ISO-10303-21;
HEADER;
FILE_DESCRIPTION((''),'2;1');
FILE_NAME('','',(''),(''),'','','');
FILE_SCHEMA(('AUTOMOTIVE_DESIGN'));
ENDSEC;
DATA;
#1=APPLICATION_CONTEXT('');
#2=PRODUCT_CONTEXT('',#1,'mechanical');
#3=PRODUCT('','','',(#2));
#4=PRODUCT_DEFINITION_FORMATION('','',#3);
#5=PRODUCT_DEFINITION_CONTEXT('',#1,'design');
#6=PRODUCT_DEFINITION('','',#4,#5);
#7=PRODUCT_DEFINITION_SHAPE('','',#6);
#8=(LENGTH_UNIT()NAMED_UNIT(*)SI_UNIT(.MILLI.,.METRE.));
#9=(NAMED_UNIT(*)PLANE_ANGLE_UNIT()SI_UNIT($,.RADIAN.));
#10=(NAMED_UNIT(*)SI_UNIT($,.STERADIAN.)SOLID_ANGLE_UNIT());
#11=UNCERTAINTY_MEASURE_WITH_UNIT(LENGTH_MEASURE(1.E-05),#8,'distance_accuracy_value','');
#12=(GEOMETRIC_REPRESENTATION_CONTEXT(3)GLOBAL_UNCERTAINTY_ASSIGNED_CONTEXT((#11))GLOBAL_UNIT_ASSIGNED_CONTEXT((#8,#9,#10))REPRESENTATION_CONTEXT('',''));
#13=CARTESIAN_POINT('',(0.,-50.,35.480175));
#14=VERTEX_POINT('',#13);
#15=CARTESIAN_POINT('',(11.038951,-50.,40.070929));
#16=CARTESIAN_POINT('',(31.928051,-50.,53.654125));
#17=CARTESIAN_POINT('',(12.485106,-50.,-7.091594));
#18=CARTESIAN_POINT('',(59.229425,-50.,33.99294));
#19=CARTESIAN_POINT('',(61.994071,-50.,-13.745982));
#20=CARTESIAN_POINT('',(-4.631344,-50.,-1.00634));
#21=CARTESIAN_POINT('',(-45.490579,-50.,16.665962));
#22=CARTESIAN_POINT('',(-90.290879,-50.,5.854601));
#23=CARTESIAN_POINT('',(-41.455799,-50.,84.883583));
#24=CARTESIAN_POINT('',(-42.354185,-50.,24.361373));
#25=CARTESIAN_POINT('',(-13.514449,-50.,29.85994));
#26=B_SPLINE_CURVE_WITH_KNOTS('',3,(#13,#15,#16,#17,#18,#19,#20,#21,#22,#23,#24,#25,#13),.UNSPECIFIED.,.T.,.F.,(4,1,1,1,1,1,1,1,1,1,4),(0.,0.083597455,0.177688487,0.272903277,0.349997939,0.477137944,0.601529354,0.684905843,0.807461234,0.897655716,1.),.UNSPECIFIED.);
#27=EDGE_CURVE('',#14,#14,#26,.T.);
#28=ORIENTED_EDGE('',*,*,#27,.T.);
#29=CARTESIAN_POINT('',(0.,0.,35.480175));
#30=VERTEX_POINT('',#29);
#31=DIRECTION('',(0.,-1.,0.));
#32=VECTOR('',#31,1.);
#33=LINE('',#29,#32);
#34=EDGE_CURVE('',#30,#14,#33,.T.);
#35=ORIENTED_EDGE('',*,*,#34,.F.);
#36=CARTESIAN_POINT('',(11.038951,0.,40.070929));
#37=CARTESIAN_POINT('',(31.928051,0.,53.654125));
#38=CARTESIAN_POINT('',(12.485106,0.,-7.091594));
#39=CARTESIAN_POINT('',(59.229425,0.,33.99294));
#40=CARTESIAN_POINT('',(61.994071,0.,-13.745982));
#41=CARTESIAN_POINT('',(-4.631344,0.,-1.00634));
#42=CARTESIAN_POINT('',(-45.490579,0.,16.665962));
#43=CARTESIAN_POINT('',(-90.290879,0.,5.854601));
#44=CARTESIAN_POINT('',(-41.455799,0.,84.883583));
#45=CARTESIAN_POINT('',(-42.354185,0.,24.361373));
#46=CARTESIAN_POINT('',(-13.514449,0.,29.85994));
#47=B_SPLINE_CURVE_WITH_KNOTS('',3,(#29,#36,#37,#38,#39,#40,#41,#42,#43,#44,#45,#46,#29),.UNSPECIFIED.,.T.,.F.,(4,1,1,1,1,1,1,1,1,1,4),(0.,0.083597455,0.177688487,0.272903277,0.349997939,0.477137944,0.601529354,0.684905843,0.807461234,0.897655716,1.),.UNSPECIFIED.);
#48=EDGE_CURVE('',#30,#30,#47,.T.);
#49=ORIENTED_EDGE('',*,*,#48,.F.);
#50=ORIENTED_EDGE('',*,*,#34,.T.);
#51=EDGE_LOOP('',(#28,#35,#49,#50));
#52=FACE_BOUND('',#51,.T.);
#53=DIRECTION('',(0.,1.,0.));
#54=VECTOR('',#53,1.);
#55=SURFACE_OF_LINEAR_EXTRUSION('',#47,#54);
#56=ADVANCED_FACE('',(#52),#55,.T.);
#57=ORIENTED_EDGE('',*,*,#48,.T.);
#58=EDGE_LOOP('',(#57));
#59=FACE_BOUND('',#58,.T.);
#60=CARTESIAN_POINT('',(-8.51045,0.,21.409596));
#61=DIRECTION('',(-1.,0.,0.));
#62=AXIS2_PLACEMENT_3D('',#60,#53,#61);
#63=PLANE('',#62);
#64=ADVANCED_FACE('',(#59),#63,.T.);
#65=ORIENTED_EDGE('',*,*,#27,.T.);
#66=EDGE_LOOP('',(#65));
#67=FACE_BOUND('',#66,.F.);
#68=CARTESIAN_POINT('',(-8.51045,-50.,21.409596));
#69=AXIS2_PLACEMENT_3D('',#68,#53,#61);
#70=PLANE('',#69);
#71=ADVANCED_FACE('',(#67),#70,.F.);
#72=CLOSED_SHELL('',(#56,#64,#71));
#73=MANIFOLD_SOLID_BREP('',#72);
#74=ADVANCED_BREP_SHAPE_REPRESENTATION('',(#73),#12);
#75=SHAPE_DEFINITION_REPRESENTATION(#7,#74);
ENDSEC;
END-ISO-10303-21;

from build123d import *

# Parameters (mm, degrees)
F1_DEPTH = 50


with BuildPart() as f1:
    # F0 (on Front) → F1 (new body)
    with BuildSketch(Plane.XZ):
        with BuildLine():
            add(Edge.make_bspline(
                [(0, 35.4801751673), (11.0389511429, 40.070928764), (31.9280510667, 53.6541254496), (12.4851058467, -7.0915938629), (59.2294252471, 33.9929396006), (61.9940710207, -13.7459817458), (-4.6313436751, -1.0063400894), (-45.4905791304, 16.6659618037), (-90.2908792391, 5.854601482), (-41.4557988301, 84.883582655), (-42.3541854323, 24.3613729797), (-13.5144491778, 29.85993957), (0, 35.4801751673)],
                knots=[0, 0, 0, 0, 0.0835974545, 0.1776884871, 0.272903277, 0.3499979387, 0.4771379443, 0.6015293535, 0.6849058433, 0.8074612344, 0.8976557161, 1, 1, 1, 1], degree=3))
        make_face()
    extrude(amount=F1_DEPTH)


solid = f1.part
